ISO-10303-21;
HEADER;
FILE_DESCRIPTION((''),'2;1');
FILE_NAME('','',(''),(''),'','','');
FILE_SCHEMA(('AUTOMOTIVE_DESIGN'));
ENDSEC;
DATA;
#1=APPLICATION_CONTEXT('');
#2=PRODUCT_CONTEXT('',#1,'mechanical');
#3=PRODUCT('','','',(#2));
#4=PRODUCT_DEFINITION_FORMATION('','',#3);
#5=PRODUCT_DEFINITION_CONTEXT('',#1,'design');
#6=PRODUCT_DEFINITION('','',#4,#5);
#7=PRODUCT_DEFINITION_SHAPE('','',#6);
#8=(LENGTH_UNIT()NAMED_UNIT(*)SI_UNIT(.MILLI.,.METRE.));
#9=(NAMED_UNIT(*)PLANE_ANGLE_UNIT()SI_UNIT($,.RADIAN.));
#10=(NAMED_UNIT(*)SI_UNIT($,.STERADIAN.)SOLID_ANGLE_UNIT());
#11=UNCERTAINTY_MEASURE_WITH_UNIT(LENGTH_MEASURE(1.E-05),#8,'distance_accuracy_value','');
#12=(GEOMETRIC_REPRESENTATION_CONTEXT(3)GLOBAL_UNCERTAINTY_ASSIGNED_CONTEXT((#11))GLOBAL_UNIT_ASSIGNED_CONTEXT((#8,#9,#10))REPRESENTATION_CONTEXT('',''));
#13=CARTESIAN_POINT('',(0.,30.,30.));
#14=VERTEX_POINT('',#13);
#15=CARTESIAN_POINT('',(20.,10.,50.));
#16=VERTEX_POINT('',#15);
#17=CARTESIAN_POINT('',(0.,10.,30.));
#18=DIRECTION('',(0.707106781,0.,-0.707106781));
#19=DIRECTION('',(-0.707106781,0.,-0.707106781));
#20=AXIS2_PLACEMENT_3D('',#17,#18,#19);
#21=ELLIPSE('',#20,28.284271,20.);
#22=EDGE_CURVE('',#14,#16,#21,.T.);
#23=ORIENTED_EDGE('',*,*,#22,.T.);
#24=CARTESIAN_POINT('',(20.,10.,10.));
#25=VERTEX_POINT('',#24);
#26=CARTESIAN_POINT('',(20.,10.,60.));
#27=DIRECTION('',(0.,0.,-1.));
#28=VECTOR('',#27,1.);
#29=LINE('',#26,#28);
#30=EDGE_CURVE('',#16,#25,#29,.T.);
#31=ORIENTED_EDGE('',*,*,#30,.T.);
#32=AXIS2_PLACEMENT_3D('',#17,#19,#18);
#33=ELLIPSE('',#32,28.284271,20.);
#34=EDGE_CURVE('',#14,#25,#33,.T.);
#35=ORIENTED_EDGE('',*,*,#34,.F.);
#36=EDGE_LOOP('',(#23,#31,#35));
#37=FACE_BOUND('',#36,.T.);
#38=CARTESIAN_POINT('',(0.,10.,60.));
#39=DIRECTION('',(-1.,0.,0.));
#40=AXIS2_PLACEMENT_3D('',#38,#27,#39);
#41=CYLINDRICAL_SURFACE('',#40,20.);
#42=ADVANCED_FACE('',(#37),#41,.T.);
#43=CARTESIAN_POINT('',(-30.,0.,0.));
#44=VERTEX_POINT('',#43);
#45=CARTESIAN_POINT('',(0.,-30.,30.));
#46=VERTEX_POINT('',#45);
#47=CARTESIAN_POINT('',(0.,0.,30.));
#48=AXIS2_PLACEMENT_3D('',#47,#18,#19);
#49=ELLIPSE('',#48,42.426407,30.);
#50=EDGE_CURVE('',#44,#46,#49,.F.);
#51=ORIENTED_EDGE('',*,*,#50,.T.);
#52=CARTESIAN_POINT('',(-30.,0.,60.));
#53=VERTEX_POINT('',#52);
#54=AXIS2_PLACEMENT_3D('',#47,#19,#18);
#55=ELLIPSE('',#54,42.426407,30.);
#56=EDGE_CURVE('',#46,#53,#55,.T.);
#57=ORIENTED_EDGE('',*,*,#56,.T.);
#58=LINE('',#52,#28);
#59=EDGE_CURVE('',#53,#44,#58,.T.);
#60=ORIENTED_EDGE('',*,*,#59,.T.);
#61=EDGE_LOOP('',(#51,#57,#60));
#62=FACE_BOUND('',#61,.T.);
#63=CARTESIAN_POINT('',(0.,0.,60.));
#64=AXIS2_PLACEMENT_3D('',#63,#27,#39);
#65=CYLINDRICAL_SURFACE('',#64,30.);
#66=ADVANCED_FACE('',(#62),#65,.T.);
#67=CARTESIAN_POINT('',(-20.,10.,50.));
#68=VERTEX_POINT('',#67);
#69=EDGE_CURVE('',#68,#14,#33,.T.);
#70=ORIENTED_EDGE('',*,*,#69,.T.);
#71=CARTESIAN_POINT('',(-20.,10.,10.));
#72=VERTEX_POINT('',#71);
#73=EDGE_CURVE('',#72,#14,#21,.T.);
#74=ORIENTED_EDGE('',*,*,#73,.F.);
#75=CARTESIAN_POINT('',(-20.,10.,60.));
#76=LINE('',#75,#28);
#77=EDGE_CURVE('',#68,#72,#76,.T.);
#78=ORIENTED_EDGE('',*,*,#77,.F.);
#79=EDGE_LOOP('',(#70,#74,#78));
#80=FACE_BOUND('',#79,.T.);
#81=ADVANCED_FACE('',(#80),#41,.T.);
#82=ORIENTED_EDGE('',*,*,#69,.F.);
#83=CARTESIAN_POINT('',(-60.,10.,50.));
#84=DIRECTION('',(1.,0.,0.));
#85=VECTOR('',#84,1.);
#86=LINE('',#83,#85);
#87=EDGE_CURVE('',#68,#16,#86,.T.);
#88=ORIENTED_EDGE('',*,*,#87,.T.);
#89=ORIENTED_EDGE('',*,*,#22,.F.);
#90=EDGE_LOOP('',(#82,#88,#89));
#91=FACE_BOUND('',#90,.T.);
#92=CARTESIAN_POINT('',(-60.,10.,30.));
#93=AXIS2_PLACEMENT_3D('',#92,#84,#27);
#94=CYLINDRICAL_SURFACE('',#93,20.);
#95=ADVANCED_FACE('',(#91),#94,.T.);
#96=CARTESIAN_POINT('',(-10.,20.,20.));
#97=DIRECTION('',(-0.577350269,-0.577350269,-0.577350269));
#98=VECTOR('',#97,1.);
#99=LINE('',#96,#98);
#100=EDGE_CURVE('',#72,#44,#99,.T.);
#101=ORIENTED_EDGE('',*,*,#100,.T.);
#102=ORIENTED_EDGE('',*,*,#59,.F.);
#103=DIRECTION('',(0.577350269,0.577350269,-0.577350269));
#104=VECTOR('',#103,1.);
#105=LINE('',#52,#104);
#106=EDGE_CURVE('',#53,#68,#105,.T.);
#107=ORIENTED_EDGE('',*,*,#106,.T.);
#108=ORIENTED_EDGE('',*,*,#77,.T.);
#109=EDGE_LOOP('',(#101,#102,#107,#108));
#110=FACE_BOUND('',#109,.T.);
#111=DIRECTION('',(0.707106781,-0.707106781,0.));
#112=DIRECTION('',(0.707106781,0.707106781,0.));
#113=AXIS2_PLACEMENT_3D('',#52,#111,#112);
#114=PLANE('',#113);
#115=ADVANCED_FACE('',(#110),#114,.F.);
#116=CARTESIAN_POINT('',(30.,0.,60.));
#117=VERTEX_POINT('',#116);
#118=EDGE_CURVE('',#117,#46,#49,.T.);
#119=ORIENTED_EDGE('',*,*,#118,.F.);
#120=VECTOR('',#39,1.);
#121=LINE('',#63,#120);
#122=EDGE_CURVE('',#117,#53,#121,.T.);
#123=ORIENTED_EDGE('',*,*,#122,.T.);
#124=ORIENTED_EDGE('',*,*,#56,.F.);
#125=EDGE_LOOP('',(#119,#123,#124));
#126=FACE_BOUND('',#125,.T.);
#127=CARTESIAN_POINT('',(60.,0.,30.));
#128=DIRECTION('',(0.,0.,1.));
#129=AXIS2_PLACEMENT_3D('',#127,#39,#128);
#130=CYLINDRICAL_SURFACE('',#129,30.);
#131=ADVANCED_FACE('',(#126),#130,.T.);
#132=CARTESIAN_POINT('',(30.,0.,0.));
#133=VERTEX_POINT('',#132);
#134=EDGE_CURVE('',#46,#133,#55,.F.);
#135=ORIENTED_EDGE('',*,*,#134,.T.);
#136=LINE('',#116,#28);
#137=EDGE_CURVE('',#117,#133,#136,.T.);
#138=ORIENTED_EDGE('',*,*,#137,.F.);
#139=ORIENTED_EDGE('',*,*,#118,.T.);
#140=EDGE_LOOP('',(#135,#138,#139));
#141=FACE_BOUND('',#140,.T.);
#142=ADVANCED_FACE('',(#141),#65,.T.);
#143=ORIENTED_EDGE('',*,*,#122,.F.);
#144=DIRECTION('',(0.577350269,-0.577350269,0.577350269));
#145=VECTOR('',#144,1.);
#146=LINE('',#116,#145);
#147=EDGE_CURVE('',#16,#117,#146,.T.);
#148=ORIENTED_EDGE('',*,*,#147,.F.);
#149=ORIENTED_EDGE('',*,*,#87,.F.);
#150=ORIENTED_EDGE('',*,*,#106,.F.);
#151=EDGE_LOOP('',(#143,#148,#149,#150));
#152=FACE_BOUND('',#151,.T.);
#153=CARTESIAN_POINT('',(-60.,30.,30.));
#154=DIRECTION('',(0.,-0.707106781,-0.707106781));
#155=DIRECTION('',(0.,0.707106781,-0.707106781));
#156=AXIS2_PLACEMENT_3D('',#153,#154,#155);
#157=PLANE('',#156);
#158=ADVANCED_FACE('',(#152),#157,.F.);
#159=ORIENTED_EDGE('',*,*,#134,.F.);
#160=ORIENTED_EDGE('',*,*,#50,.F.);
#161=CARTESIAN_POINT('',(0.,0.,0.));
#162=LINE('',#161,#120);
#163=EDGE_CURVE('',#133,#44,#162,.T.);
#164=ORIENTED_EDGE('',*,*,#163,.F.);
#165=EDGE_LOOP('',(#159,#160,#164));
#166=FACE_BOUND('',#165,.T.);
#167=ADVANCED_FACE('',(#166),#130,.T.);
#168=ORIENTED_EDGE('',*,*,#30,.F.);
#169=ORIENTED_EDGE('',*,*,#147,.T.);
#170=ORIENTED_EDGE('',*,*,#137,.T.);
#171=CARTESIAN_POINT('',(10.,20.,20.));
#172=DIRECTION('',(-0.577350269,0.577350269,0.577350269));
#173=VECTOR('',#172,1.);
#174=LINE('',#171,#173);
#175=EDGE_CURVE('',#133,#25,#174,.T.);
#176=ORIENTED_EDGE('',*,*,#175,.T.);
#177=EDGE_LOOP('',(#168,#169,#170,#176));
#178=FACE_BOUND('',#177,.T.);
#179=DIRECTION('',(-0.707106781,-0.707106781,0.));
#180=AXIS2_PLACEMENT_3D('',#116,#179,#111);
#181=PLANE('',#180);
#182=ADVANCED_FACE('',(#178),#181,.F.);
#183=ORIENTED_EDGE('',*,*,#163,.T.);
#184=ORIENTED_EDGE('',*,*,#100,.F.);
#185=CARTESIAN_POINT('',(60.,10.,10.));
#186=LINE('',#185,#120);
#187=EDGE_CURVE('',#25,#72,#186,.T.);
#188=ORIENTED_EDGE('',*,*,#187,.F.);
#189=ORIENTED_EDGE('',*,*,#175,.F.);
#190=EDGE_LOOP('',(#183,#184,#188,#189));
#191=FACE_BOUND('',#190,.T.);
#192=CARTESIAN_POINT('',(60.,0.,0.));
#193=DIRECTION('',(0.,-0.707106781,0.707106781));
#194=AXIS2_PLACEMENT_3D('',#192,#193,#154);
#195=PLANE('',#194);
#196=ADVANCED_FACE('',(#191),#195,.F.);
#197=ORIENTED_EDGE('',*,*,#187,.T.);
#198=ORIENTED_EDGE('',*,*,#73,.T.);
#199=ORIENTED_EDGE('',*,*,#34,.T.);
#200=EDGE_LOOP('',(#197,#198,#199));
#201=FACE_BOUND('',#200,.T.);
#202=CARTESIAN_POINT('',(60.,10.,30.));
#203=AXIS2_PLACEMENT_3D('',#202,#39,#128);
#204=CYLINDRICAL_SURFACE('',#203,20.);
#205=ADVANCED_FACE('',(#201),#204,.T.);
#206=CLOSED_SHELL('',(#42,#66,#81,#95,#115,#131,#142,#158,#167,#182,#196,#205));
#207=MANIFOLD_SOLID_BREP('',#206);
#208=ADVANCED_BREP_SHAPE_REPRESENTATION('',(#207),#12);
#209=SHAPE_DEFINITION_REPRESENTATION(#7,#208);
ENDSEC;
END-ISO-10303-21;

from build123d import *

# Parameters (mm, degrees)
BOSS_EXTRUDE1_DEPTH     = 60
CUT_EXTRUDE1_DEPTH      = 60
CUT_EXTRUDE1_DEPTH_BACK = 60


with BuildPart() as part:
    # Sketch1 → Boss-Extrude1 (new body)
    with BuildSketch(Plane.XY):
        with BuildLine():
            Line((-30, 0), (-20.000000000000004, 10))
            ThreePointArc((-20.000000000000004, 10), (1.22e-15, 29.999999999999996), (19.999999999999996, 10))
            Line((19.999999999999996, 10), (30, 0))
            ThreePointArc((30, 0), (1.84e-15, -30), (-30, 0))
        make_face()
    extrude(amount=BOSS_EXTRUDE1_DEPTH)

    # Sketch2 → Cut-Extrude1 (cut, two sides: drawn at the far end of the back side and taken through both)
    with BuildSketch(Plane(origin=(0, 0, 0), x_dir=(0, 0, -1), z_dir=(1, 0, 0)).offset(-CUT_EXTRUDE1_DEPTH_BACK)):
        with BuildLine():
            Line((-10.000000000000002, 10.000000000000004), (0, 0))
            Line((0, 0), (0, 30))
            Line((0, 30), (-30.000000000000007, 30))
            ThreePointArc((-30.000000000000007, 29.99999999999999), (-15.85786437626906, 24.142135623730947), (-10.000000000000004, 10.000000000000004))
        make_face()
        with BuildLine():
            Line((0, -30), (0, -3.55e-15))
            ThreePointArc((0, -5.45e-15), (-8.786796564403577, -21.213203435596427), (-30.000000000000018, -30))
            Line((-30.000000000000018, -30), (0, -30))
        make_face()
        with BuildLine():
            Line((-60, -30), (-30.000000000000018, -30))
            ThreePointArc((-30.000000000000018, -30), (-51.21320343559643, -21.21320343559642), (-60, 0))
            Line((-60, 0), (-60, -30))
        make_face()
        with BuildLine():
            ThreePointArc((-50, 10.000000000000002), (-44.142135623730944, 24.142135623730944), (-30.000000000000007, 29.99999999999999))
            Line((-30.000000000000007, 30), (-60, 30))
            Line((-60, 30), (-60, 0))
            Line((-60, 0), (-49.99999999999999, 10.000000000000002))
        make_face()
    extrude(amount=CUT_EXTRUDE1_DEPTH + CUT_EXTRUDE1_DEPTH_BACK, mode=Mode.SUBTRACT)


solid = part.part
